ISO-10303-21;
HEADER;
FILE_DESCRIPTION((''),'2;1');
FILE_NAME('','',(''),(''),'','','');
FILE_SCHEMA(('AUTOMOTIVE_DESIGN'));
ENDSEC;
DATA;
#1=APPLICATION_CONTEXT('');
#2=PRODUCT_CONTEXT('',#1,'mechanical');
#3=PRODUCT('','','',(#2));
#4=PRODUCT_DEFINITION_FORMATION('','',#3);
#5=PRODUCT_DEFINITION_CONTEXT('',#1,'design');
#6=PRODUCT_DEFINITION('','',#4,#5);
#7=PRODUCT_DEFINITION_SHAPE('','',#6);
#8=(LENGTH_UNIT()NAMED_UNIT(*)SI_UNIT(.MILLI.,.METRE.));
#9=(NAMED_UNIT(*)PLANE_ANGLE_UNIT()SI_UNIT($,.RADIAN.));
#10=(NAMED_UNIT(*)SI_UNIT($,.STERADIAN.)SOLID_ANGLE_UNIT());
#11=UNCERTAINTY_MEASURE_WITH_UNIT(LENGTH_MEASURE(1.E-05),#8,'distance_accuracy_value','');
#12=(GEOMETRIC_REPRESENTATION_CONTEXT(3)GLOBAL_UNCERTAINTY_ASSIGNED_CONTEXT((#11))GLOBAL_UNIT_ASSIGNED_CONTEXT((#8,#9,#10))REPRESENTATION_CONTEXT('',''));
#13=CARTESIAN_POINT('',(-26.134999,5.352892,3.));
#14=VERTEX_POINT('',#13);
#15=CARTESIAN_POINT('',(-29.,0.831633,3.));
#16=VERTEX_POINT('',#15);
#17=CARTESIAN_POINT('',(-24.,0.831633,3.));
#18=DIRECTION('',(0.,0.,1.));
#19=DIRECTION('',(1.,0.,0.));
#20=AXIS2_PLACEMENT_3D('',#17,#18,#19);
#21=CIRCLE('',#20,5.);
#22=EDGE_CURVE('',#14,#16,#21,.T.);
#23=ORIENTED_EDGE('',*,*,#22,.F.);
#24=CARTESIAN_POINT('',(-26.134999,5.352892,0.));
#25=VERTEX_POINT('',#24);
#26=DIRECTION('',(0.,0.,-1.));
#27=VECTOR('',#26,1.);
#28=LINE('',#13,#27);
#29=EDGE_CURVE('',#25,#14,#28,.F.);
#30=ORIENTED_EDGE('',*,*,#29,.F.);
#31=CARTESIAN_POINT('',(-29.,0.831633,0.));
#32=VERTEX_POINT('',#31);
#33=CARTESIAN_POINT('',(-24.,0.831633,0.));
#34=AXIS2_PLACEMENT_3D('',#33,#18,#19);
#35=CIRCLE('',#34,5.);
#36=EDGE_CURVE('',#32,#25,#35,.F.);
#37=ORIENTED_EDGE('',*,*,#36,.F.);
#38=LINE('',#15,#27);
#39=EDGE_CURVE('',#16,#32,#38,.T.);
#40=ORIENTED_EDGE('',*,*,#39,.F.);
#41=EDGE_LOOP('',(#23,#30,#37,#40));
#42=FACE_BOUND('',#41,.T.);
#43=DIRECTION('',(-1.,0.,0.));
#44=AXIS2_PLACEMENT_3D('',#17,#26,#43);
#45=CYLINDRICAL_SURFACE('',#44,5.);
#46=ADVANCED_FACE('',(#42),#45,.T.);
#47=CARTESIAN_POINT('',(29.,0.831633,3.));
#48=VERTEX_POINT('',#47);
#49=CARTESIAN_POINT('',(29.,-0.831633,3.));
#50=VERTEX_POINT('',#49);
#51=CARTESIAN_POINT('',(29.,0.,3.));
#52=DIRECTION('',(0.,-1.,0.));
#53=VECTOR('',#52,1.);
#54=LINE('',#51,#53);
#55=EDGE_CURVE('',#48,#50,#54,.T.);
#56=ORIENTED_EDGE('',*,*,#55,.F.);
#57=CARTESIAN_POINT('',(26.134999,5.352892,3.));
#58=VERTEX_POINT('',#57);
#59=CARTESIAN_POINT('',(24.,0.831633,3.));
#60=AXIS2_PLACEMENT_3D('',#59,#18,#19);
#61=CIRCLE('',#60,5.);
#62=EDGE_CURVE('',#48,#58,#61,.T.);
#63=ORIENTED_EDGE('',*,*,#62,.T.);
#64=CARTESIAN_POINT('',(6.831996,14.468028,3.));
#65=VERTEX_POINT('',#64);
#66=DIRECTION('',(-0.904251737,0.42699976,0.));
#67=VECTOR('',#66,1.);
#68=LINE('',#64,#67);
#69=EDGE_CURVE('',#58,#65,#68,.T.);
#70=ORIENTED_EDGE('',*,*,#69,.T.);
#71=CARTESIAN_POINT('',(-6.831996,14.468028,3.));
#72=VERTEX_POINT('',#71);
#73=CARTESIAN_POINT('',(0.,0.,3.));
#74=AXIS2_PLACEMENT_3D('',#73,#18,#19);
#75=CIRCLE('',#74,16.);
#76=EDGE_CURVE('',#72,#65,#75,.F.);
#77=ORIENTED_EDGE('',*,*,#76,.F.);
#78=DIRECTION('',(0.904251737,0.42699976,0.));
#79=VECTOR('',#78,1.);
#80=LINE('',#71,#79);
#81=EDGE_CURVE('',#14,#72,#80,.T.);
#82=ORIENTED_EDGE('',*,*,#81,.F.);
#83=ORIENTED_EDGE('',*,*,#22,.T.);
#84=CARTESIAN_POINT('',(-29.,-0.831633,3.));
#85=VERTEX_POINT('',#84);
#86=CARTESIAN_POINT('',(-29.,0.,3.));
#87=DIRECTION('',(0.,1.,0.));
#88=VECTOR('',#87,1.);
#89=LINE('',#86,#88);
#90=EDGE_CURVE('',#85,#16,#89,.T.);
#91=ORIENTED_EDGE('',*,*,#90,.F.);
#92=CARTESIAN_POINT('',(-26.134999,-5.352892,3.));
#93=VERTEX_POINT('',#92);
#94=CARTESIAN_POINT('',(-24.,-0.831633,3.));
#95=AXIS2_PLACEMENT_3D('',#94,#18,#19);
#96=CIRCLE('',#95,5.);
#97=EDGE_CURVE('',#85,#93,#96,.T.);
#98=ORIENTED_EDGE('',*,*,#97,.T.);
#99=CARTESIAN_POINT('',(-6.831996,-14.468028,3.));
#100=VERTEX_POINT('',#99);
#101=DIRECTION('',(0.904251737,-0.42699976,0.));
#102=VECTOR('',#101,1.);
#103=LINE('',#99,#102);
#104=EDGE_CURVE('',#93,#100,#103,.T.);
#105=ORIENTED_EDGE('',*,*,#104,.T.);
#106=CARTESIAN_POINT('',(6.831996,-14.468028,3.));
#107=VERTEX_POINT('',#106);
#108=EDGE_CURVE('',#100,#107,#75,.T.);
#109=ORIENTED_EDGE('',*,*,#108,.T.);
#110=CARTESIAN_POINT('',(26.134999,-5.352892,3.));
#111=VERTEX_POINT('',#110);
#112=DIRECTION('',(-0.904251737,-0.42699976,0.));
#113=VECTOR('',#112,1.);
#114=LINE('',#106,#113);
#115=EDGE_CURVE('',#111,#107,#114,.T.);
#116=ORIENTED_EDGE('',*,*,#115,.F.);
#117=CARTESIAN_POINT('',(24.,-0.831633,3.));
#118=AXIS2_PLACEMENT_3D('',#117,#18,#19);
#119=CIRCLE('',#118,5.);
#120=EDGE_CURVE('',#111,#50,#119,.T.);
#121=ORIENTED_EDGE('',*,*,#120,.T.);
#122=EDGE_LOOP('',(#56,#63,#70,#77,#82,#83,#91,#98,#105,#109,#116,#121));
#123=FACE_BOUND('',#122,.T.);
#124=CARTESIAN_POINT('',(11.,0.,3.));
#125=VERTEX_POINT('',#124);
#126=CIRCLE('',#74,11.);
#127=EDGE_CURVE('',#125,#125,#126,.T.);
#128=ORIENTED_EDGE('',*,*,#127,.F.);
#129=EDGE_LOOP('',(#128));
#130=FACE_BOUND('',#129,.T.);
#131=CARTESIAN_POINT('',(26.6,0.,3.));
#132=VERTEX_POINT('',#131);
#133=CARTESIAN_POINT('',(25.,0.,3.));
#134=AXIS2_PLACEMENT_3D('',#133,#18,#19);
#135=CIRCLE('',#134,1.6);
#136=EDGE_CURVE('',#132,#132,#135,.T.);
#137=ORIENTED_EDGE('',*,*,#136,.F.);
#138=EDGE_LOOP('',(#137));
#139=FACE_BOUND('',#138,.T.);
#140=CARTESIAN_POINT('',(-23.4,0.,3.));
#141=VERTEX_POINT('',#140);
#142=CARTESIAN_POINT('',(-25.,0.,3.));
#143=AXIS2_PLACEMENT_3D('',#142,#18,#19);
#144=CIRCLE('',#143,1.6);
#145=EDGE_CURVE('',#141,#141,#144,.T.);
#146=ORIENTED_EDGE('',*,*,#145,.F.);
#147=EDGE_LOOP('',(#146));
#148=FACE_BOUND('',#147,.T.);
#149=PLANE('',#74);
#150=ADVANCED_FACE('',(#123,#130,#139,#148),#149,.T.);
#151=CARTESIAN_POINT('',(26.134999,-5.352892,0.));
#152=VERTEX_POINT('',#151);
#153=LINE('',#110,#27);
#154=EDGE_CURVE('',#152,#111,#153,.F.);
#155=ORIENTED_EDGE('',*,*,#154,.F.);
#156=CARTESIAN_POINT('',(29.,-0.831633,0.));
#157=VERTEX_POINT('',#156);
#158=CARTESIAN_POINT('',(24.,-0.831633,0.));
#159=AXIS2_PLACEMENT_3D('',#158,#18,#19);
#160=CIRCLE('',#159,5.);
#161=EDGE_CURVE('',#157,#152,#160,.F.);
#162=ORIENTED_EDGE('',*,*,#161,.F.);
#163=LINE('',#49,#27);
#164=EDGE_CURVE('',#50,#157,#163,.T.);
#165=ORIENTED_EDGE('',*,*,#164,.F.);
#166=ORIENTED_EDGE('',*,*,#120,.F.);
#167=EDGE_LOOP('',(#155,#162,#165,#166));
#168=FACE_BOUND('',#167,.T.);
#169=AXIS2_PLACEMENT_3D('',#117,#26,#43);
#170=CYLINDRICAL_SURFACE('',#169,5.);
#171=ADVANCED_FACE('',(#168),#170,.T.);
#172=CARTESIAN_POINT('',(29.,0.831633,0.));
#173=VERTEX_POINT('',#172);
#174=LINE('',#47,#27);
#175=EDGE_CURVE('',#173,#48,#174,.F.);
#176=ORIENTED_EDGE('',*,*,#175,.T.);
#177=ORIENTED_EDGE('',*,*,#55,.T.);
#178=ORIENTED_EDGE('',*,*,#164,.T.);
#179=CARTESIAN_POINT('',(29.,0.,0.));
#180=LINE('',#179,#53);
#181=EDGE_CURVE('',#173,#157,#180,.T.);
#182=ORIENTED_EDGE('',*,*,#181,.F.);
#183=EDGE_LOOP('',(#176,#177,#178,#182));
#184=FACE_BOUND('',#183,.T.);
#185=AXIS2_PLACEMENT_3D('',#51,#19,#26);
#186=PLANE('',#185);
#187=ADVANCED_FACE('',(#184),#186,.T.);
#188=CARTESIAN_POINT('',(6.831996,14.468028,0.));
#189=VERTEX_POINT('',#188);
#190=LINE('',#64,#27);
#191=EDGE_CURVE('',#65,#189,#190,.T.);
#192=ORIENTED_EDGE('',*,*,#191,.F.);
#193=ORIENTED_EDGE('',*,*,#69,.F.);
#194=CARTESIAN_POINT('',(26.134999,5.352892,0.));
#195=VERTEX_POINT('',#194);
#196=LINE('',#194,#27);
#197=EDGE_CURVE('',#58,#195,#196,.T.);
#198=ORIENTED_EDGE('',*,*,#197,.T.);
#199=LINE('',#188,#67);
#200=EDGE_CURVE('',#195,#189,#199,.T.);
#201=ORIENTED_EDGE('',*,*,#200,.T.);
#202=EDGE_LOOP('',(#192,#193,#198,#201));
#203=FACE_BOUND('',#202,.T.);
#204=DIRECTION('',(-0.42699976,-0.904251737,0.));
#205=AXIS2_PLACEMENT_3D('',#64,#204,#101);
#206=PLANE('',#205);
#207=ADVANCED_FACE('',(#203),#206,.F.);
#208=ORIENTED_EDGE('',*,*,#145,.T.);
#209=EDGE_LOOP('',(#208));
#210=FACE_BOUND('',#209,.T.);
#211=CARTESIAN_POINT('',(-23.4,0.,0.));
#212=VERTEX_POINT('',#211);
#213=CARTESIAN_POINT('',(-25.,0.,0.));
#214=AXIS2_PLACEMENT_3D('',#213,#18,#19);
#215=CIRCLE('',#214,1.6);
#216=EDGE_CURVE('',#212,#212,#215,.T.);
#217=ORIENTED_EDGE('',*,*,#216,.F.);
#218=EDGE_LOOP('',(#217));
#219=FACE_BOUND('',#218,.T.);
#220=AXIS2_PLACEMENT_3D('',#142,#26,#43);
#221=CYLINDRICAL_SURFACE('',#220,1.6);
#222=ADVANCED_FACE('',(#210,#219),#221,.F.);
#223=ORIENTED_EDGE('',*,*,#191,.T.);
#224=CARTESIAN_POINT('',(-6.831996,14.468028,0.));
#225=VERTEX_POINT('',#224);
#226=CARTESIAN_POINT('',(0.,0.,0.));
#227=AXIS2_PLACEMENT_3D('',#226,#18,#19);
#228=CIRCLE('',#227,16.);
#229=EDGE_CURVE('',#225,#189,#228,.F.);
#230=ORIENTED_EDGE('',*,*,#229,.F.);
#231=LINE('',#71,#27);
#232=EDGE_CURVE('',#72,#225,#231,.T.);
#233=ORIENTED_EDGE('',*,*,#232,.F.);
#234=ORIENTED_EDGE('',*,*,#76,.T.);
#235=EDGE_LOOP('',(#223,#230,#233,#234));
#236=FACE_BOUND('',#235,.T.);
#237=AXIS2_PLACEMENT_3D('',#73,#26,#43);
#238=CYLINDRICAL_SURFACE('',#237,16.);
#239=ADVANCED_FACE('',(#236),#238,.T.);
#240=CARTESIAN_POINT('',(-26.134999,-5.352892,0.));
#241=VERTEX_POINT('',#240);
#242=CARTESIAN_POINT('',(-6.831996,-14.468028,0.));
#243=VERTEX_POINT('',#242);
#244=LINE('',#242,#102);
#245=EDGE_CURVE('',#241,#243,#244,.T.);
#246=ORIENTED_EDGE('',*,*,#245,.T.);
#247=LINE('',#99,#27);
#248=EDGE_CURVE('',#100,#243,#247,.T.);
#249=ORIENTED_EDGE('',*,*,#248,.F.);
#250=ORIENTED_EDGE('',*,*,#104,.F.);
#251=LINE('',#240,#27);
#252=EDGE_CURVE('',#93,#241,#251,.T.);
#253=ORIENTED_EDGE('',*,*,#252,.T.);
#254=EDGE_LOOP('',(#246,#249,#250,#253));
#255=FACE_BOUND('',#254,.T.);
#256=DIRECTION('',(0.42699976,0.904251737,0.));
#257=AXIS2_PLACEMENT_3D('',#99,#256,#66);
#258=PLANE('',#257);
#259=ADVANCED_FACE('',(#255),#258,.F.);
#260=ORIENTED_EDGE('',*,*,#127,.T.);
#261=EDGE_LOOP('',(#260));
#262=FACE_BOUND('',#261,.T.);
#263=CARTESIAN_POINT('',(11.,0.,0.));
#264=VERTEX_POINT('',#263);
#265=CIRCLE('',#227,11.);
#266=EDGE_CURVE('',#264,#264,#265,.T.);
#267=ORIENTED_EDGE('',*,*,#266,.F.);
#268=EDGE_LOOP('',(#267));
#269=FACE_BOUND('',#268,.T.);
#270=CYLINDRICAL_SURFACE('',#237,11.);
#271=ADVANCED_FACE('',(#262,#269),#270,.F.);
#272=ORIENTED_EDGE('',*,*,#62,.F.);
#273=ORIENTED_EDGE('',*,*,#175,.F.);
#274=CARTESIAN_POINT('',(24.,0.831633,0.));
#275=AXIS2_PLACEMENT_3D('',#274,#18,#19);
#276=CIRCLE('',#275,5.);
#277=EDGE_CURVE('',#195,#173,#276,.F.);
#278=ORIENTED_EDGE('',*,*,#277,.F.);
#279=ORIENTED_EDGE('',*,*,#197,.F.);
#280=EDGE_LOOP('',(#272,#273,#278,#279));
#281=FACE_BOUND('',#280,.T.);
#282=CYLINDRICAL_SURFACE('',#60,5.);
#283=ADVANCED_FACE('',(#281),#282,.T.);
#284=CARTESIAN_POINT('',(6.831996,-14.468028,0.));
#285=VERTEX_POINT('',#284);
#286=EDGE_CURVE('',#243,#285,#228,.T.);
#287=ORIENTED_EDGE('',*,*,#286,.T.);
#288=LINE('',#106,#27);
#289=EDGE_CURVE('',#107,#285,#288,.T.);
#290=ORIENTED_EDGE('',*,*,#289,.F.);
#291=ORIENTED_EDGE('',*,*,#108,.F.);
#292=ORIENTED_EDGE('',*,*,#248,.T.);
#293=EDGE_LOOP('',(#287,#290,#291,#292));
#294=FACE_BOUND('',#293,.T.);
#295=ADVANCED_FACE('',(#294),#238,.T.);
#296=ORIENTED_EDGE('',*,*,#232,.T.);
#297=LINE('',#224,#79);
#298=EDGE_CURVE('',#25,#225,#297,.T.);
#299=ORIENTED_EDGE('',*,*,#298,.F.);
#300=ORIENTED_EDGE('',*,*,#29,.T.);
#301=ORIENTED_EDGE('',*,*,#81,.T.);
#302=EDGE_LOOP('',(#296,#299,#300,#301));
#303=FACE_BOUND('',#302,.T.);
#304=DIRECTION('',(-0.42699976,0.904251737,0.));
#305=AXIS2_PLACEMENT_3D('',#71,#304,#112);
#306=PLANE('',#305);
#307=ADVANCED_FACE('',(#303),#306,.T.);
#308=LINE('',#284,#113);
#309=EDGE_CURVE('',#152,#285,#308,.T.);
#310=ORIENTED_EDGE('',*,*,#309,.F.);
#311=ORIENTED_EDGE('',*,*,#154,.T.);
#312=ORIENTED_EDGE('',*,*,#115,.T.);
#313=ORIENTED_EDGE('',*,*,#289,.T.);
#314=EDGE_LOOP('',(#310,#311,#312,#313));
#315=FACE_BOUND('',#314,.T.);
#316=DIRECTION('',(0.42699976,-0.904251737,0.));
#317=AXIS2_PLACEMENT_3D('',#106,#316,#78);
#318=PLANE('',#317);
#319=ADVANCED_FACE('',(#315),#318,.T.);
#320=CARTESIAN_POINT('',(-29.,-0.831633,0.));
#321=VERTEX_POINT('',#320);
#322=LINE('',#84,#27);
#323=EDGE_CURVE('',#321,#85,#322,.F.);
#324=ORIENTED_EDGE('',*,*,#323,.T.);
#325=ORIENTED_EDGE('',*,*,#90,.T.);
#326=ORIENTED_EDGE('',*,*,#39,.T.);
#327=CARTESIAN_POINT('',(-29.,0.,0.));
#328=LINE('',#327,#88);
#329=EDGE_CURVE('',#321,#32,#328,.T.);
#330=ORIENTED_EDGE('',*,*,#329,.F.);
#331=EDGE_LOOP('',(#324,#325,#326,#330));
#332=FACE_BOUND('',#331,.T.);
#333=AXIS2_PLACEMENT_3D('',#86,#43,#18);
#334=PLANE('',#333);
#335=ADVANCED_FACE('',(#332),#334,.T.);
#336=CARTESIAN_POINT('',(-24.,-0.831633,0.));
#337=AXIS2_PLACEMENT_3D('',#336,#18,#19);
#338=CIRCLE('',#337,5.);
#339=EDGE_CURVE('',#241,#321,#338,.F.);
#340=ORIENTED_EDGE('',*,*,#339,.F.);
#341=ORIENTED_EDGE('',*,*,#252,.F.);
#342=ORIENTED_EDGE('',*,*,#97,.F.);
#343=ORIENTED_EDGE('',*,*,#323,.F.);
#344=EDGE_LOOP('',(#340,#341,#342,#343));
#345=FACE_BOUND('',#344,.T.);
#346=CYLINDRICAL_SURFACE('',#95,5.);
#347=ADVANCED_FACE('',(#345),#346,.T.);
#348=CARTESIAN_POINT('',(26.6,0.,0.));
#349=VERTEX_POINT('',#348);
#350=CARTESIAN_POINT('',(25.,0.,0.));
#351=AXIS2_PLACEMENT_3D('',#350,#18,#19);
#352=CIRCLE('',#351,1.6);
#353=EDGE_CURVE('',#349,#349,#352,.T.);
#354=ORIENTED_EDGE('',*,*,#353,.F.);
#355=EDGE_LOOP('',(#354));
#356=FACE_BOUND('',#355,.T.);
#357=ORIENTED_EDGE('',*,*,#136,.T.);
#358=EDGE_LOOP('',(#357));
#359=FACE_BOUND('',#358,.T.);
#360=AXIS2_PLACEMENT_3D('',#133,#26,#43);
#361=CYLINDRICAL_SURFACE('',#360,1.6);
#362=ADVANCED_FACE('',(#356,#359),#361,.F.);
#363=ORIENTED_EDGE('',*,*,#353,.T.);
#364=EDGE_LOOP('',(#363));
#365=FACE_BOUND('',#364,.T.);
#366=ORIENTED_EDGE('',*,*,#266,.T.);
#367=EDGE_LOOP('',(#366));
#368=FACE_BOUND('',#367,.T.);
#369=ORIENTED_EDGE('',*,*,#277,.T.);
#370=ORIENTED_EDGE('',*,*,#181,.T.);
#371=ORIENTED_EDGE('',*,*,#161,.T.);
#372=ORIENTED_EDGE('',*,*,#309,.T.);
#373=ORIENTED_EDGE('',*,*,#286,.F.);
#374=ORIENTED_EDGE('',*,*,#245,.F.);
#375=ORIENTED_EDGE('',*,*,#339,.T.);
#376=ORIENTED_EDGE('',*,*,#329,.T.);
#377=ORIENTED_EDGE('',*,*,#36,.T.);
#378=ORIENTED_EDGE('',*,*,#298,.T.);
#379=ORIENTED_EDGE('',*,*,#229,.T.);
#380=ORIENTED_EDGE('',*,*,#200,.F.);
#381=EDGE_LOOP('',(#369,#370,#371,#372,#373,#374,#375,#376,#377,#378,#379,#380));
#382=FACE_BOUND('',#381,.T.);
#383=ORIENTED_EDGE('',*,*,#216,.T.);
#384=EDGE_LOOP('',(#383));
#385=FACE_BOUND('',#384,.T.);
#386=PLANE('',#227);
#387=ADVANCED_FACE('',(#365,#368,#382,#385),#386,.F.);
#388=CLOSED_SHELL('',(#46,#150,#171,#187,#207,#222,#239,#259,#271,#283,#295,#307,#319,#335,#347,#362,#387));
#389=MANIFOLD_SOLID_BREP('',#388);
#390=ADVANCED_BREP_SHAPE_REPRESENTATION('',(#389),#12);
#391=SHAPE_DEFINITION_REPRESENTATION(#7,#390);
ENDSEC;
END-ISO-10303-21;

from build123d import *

# Parameters (mm, degrees)
ESBO_O1_R                = 11
ESBO_O1_R_2              = 1.6
RESSALTO_EXTRUS_O1_DEPTH = 3
FILETE1_R                = 5


with BuildPart() as part:
    # Esboço1 → Ressalto-extrusão1 (new body)
    with BuildSketch(Plane.XY):
        with BuildLine():
            Line((-15.491933385, -4), (-29, -4))
            Line((-29, -4), (-6.831996166, -14.468027799))
            ThreePointArc((-6.831996166, -14.468027799), (-12.328193669, -10.198805854), (-15.491933385, -4))
        make_face()
        with BuildLine():
            Line((-29, -4), (-15.491933385, -4))
            ThreePointArc((-15.491933385, -4), (0, -16), (15.491933385, -4))
            Line((15.491933385, -4), (29, -4))
            Line((29, -4), (29, 4))
            Line((29, 4), (15.491933385, 4))
            ThreePointArc((15.491933385, 4), (0, 16), (-15.491933385, 4))
            Line((-15.491933385, 4), (-29, 4))
            Line((-29, 4), (-29, -4))
        make_face()
        Circle(ESBO_O1_R, mode=Mode.SUBTRACT)
        with Locations((-25, 0)):
            Circle(ESBO_O1_R_2, mode=Mode.SUBTRACT)
        with Locations((25, 0)):
            Circle(ESBO_O1_R_2, mode=Mode.SUBTRACT)
        with BuildLine():
            Line((-6.831996166, 14.468027799), (-29, 4))
            Line((-29, 4), (-15.491933385, 4))
            ThreePointArc((-15.491933385, 4), (-12.328193669, 10.198805854), (-6.831996166, 14.468027799))
        make_face()
        with BuildLine():
            ThreePointArc((15.491933385, -4), (12.328193669, -10.198805854), (6.831996166, -14.468027799))
            Line((6.831996166, -14.468027799), (29, -4))
            Line((29, -4), (15.491933385, -4))
        make_face()
        with BuildLine():
            Line((29, 4), (6.831996166, 14.468027799))
            ThreePointArc((6.831996166, 14.468027799), (12.328193669, 10.198805854), (15.491933385, 4))
            Line((15.491933385, 4), (29, 4))
        make_face()
    extrude(amount=RESSALTO_EXTRUS_O1_DEPTH)

    # Filete1
    filete1_edges = [part.edges().sort_by_distance(p)[0] for p in [
        (29, 4, 1.5),
        (29, -4, 1.5),
        (-29, -4, 1.5),
        (-29, 4, 1.5),
    ]]
    fillet(filete1_edges, radius=FILETE1_R)


solid = part.part
